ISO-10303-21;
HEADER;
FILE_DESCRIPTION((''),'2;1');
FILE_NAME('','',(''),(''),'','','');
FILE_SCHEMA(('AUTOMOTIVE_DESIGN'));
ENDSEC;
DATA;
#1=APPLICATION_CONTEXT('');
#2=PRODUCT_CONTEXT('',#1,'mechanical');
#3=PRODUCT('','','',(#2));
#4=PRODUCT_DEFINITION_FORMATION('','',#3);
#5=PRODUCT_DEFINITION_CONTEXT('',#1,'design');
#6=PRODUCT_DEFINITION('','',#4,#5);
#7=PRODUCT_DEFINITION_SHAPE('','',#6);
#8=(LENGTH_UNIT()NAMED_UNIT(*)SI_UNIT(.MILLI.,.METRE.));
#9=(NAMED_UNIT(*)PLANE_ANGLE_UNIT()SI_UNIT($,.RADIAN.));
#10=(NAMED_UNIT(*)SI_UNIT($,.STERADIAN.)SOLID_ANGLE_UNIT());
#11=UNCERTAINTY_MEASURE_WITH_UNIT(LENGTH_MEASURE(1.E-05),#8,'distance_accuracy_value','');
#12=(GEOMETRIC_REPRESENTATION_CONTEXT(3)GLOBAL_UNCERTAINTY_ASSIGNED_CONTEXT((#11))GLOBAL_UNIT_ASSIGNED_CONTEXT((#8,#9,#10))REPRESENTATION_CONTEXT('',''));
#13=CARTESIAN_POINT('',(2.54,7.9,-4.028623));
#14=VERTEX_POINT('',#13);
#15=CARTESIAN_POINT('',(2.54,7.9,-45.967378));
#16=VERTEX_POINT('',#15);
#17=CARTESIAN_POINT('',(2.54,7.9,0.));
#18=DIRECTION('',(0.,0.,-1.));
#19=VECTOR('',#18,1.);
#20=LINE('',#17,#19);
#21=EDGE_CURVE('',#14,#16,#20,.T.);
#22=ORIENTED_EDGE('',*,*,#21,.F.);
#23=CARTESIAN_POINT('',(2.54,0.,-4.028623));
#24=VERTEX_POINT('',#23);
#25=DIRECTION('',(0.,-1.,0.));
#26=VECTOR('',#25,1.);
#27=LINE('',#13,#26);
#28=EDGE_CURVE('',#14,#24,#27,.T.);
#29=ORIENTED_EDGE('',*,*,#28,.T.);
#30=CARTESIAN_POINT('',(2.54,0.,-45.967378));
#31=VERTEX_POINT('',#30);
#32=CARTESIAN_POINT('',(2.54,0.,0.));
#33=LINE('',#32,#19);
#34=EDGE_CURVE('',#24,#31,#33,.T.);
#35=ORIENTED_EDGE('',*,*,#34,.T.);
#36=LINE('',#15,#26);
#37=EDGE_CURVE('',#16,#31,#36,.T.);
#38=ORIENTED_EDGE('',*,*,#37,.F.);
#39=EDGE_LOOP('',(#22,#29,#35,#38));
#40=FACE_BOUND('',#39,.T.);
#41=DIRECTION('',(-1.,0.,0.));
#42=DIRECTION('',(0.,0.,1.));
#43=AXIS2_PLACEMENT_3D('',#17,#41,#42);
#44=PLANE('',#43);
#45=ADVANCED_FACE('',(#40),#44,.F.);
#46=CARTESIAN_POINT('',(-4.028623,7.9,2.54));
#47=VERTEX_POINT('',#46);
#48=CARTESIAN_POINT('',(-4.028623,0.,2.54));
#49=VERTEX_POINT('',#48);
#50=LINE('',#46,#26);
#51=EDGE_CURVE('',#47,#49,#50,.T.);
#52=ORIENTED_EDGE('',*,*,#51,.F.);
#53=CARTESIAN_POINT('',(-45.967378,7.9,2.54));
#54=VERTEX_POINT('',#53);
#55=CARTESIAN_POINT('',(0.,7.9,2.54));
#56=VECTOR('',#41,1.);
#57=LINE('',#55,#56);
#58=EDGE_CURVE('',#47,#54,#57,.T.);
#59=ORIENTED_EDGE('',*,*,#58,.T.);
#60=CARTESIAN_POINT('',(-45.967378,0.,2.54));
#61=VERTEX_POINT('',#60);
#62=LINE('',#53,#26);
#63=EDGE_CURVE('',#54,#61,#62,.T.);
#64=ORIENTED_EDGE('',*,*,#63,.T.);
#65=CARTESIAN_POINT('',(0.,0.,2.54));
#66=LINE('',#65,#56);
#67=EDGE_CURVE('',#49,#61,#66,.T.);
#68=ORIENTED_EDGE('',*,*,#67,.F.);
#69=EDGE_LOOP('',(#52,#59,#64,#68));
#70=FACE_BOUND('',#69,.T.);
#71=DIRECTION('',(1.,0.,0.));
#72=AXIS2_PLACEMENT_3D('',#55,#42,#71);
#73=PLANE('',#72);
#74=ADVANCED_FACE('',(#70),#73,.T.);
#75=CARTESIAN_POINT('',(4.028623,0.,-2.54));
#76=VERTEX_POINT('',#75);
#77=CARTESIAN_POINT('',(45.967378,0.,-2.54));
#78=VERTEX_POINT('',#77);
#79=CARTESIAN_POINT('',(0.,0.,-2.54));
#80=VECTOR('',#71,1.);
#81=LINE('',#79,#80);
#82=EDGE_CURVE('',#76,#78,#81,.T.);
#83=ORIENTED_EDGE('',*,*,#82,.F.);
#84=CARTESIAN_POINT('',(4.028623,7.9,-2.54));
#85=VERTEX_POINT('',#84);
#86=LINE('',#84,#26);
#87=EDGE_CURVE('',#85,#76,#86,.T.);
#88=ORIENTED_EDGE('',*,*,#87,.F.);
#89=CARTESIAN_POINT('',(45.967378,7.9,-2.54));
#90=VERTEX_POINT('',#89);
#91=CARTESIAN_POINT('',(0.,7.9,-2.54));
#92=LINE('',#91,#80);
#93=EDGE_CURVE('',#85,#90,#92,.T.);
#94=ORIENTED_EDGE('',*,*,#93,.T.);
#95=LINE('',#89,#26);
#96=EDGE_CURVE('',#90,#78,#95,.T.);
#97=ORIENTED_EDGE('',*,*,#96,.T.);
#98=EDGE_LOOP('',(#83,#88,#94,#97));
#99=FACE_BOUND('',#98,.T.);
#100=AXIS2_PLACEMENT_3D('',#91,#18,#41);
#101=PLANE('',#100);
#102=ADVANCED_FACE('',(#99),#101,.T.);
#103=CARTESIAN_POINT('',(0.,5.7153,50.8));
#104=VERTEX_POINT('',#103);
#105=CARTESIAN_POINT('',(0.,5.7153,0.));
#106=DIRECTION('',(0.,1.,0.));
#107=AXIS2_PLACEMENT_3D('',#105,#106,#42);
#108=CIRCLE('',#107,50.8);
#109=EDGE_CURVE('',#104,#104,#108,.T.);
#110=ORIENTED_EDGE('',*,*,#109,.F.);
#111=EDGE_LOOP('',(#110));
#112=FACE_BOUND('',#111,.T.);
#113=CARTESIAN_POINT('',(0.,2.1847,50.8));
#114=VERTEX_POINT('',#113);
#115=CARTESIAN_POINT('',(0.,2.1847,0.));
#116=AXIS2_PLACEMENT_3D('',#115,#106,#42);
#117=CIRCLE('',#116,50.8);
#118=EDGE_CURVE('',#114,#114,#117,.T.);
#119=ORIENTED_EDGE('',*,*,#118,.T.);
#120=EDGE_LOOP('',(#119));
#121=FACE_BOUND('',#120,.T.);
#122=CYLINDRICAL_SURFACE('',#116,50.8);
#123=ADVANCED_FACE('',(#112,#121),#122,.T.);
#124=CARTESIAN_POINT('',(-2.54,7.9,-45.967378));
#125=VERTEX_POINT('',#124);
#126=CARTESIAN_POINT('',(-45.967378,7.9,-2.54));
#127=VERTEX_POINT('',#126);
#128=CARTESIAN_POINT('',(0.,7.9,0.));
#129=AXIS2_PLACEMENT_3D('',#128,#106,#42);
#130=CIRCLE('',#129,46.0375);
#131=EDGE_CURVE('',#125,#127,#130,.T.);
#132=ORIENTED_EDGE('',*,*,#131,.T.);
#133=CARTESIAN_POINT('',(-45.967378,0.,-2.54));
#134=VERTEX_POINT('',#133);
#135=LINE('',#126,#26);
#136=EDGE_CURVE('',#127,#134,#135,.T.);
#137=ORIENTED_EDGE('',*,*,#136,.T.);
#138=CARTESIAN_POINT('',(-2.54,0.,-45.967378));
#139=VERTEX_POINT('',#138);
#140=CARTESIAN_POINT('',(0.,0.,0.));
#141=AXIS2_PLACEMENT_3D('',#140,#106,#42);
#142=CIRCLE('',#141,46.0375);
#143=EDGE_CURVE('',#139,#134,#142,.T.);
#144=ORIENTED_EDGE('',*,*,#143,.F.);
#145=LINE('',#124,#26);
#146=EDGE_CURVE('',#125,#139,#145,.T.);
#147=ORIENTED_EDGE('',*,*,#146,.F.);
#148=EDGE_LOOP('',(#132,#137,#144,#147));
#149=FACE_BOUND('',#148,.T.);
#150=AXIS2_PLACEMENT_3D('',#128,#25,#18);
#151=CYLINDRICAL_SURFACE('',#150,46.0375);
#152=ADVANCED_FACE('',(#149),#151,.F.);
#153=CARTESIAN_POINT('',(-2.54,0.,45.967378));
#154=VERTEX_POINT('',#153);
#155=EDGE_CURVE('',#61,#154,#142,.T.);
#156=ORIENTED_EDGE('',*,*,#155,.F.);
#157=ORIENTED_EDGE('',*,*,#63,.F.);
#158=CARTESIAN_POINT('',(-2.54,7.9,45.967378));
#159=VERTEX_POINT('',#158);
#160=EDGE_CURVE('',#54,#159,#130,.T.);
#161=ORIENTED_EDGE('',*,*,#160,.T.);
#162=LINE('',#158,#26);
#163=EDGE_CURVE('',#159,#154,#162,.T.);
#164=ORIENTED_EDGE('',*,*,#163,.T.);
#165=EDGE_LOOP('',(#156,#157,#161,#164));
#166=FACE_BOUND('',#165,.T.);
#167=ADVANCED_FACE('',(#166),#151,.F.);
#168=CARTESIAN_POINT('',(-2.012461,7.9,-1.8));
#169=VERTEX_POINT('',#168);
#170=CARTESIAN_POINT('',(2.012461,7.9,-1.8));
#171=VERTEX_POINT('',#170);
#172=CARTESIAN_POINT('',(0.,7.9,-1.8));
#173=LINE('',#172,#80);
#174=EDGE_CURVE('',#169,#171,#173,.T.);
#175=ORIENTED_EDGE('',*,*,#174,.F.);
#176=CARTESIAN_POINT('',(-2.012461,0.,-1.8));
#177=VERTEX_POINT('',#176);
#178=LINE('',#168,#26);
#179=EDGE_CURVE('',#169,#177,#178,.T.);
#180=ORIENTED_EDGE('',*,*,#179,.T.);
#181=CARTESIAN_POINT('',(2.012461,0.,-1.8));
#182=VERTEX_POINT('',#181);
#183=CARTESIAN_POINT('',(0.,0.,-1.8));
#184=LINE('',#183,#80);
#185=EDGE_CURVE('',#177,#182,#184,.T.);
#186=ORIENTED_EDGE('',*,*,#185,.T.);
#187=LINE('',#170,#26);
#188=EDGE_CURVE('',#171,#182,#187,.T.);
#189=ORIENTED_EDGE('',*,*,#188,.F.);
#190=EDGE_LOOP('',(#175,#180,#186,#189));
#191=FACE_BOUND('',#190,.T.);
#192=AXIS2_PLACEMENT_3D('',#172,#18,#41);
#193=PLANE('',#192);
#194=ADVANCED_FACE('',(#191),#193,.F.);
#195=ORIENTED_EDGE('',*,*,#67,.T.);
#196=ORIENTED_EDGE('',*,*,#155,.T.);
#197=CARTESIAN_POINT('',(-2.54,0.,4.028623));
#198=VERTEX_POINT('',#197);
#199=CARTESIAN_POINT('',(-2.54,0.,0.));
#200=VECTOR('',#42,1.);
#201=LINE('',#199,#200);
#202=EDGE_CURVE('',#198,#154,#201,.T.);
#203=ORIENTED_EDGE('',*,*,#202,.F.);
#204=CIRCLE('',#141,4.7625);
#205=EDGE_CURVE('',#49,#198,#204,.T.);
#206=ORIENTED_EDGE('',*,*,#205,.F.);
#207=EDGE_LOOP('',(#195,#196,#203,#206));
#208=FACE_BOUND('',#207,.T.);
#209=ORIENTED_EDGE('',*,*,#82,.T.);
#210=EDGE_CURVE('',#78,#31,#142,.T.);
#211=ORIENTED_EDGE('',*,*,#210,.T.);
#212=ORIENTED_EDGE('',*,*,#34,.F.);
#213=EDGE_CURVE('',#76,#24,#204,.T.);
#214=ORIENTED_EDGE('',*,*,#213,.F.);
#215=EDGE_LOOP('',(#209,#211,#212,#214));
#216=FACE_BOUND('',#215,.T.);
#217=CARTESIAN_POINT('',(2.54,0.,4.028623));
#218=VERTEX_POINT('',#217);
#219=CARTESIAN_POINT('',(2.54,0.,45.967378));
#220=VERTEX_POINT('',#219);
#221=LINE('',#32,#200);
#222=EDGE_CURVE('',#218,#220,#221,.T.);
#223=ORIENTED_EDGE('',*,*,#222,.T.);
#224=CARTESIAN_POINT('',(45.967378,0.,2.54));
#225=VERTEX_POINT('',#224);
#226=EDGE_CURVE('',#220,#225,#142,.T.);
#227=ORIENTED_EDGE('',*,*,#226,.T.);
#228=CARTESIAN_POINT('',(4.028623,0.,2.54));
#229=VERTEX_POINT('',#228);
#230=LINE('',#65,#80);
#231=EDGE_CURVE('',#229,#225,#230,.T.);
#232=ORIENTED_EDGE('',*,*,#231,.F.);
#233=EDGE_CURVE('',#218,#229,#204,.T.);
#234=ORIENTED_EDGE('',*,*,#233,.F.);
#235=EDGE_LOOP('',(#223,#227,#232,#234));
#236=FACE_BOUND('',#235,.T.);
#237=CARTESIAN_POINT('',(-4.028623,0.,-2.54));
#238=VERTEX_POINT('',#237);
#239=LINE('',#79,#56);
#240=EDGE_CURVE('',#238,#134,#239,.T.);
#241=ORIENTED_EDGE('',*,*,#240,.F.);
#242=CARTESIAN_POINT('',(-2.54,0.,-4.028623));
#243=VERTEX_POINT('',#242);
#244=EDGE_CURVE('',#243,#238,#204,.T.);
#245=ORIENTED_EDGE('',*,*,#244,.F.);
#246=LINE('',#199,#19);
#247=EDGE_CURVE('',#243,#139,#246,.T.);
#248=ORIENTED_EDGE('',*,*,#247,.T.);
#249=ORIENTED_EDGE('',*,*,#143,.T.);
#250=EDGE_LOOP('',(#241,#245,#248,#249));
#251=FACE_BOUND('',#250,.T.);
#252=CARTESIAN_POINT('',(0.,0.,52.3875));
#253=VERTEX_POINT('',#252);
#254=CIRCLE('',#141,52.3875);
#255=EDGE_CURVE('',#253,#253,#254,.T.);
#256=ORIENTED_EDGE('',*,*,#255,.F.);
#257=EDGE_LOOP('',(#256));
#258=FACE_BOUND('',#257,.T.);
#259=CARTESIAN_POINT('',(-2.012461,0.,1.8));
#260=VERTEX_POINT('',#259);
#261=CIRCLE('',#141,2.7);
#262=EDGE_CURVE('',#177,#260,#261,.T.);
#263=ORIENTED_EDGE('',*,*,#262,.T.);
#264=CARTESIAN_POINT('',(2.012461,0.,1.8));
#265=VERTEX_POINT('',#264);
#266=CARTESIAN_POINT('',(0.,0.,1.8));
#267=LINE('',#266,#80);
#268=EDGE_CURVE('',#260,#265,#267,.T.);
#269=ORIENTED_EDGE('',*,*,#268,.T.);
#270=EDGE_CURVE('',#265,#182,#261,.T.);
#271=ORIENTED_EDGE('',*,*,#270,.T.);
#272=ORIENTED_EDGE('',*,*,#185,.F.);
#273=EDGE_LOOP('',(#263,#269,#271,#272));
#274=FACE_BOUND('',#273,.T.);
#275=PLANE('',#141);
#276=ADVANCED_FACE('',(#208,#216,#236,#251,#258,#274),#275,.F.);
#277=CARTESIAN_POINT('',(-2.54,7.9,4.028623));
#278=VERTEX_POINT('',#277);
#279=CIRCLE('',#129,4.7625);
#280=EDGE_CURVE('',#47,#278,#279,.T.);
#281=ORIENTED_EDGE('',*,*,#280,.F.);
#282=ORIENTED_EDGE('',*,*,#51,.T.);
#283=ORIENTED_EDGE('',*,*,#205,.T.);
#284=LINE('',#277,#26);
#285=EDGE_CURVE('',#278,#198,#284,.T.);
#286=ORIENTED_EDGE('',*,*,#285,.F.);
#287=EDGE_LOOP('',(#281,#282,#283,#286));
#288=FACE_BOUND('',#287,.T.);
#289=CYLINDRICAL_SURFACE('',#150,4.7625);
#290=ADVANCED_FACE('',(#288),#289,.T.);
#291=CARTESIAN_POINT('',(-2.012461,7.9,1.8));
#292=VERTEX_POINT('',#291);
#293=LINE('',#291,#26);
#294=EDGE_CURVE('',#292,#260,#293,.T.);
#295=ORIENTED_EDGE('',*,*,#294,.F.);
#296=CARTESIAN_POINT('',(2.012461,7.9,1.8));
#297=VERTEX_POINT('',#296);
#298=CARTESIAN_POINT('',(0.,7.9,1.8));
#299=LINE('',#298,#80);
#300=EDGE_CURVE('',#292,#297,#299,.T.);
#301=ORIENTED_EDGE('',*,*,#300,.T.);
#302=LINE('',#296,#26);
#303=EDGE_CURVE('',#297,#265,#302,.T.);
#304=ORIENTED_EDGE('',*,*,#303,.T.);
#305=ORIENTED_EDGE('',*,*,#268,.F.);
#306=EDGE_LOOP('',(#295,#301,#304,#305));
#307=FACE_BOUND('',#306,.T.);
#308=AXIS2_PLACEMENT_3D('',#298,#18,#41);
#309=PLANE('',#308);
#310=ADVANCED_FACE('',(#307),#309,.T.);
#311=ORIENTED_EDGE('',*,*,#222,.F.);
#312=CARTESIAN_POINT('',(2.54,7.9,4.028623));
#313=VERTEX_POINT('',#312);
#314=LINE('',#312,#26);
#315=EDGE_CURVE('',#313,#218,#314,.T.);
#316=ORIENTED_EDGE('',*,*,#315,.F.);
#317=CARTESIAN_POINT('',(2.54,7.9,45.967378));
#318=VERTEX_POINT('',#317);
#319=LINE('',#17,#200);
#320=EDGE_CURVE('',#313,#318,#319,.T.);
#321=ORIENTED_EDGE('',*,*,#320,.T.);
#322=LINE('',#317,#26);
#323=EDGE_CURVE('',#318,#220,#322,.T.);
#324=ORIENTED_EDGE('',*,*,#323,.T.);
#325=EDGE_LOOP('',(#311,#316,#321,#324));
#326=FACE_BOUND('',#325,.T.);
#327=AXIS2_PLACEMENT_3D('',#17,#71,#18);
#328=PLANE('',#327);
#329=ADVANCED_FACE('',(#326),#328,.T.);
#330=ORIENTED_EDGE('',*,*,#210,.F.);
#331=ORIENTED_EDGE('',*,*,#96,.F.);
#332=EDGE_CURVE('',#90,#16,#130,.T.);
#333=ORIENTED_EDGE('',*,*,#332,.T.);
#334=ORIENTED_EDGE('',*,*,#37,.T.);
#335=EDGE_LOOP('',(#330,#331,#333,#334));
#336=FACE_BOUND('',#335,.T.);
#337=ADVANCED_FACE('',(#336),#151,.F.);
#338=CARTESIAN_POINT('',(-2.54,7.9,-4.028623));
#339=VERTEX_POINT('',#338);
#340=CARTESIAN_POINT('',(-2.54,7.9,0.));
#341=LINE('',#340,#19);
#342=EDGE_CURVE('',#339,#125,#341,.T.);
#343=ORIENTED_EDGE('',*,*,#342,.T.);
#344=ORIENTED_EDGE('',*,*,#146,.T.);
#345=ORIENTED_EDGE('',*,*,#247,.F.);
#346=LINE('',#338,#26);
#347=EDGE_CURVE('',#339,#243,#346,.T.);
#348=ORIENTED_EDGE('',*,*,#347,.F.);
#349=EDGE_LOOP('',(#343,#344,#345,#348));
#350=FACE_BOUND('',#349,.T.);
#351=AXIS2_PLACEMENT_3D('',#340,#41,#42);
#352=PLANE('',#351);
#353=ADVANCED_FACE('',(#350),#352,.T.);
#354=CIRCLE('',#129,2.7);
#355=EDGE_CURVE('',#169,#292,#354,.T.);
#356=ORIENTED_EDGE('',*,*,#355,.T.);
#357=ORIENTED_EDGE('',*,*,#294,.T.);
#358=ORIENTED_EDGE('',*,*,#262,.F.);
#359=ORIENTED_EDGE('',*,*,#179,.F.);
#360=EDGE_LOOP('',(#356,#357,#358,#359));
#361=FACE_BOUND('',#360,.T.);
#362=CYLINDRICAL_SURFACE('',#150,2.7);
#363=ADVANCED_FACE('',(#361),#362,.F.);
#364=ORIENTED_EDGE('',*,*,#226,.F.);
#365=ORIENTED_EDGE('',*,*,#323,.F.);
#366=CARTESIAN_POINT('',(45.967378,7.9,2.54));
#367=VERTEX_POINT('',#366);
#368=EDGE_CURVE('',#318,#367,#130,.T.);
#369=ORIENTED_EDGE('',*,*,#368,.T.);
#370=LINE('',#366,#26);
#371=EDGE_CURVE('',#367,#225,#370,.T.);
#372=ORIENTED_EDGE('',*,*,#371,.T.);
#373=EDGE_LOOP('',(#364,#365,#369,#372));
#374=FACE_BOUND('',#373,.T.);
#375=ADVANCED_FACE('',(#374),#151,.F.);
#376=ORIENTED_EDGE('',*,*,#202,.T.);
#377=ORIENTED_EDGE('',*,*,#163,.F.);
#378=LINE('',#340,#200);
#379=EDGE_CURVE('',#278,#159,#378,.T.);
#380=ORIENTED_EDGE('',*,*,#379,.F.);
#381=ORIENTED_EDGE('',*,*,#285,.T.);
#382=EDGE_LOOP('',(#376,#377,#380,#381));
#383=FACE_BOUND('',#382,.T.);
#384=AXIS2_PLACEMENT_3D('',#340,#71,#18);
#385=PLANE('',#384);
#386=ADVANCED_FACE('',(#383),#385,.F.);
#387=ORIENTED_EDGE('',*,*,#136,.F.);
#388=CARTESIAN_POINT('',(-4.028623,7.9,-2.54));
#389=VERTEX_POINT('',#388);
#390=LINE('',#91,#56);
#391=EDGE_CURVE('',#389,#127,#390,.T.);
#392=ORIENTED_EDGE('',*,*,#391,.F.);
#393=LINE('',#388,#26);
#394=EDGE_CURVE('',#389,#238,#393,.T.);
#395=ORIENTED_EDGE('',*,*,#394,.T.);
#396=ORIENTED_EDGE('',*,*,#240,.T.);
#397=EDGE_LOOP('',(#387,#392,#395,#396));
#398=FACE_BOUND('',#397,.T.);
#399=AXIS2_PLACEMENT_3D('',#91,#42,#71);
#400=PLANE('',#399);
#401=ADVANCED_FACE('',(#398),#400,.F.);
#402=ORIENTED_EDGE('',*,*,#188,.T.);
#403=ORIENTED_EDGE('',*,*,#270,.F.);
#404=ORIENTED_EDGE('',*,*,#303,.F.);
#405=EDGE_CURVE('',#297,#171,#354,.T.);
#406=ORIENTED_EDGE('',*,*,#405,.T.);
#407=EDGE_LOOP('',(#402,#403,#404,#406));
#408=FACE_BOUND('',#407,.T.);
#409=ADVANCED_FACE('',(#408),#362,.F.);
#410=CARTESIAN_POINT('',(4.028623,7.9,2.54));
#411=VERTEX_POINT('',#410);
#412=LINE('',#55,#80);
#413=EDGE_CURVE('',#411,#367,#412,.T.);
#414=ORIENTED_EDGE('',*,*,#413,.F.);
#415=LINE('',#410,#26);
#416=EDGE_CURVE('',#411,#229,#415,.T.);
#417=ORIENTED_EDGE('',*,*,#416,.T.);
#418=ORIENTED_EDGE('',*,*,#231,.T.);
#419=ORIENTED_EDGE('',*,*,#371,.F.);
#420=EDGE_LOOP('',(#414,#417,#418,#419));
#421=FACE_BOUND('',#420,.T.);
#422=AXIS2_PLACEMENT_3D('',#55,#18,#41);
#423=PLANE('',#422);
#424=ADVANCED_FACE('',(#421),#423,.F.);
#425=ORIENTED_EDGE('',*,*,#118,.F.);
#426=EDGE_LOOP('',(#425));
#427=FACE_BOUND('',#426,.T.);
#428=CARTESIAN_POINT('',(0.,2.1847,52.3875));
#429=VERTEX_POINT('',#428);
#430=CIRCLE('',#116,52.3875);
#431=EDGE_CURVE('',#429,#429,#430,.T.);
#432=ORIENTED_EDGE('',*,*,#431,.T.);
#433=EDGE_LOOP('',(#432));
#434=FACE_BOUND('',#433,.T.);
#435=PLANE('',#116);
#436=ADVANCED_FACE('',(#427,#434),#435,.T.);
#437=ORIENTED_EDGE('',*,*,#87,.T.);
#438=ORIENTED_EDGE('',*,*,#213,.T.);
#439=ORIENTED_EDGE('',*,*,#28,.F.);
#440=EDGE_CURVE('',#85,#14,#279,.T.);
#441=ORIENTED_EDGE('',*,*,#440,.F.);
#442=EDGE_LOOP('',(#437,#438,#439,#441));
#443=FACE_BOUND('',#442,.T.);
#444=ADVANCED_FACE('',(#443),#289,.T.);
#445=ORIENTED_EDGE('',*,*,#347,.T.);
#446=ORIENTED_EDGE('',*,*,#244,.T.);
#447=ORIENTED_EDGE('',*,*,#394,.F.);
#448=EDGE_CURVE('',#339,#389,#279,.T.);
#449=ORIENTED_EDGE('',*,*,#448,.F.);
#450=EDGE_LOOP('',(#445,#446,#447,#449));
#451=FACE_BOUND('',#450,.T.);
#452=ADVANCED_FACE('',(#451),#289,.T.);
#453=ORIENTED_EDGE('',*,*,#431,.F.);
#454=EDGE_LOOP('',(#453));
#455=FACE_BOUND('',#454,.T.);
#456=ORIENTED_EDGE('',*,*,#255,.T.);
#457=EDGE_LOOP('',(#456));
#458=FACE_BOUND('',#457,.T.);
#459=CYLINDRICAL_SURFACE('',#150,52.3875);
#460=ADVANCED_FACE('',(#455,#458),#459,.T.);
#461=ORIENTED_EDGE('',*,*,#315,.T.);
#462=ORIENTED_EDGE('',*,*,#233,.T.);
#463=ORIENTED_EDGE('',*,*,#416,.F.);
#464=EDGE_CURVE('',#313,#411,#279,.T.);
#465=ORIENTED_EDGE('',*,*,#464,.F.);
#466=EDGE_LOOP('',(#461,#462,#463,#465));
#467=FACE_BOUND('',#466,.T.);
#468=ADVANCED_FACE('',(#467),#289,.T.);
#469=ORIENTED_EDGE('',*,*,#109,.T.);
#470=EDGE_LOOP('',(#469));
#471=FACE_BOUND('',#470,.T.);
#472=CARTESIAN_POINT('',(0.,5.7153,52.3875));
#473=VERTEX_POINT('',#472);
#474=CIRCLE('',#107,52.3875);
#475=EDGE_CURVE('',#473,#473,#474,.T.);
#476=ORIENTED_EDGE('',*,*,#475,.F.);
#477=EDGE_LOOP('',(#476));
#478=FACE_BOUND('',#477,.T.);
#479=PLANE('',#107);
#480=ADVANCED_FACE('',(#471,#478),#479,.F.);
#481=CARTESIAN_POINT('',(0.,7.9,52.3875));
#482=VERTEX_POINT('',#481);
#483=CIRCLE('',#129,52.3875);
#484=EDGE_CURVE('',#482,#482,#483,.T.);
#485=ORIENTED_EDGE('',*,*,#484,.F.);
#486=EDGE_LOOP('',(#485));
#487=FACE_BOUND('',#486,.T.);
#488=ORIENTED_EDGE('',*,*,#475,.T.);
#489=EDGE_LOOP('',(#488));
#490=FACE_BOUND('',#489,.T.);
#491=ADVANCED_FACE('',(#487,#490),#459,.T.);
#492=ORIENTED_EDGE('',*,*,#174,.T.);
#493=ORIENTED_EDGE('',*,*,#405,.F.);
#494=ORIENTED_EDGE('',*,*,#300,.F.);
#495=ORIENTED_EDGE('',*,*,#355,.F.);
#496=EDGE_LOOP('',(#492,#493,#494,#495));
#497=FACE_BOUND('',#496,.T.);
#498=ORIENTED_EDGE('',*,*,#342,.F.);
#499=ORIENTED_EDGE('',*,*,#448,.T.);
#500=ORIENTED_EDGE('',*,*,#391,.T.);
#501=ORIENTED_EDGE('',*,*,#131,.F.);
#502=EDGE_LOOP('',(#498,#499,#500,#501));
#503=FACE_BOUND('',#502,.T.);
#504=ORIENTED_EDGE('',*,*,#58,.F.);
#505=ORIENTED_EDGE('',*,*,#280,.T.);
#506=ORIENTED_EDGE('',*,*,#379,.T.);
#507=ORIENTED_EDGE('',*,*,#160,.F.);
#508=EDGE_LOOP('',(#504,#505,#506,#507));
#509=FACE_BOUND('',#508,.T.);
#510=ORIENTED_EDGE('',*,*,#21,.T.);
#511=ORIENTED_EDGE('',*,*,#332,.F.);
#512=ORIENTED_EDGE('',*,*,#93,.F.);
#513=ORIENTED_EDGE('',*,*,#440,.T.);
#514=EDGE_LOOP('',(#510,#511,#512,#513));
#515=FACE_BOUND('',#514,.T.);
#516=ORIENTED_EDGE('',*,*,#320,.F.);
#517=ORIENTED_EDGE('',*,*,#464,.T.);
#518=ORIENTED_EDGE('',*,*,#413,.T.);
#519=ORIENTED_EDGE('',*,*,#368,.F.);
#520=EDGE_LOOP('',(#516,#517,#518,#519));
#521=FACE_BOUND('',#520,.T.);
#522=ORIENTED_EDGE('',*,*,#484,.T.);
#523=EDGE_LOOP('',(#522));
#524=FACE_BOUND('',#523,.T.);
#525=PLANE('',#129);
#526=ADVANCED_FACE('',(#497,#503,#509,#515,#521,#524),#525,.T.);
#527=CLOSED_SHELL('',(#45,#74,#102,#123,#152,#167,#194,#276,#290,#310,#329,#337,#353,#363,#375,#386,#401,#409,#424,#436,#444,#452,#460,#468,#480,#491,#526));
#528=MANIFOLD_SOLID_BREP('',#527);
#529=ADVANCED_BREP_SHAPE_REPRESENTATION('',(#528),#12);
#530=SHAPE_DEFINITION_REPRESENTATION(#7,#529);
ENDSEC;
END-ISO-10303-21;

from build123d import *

# Parameters (mm, degrees)
SKETCH1_R           = 52.3875
SKETCH1_R_2         = 50.8
BOSS_EXTRUDE1_DEPTH = 7.9
CUT_EXTRUDE1_START  = 3.95
SKETCH1_3_R         = 52.3875
SKETCH1_3_R_2       = 50.8
CUT_EXTRUDE1_DEPTH  = 1.7653


with BuildPart() as part:
    # Sketch1 → Boss-Extrude1 (new body)
    with BuildSketch(Plane(origin=(0, 0, 0), x_dir=(1, 0, 0), z_dir=(0, 1, 0))):
        with Locations(Location((0, 0, 0), (0, 0, 270))):
            Circle(SKETCH1_R)
        Circle(SKETCH1_R_2, mode=Mode.SUBTRACT)
        Circle(SKETCH1_R_2)
        with BuildLine():
            Line((-2.54, 4.028623369), (-2.54, 45.967377631))
            ThreePointArc((-2.54, 45.967377631), (-32.553428439, 32.553428439), (-45.967377631, 2.54))
            Line((-45.967377631, 2.54), (-4.028623369, 2.54))
            ThreePointArc((-4.028623369, 2.54), (-3.367596045, 3.367596045), (-2.54, 4.028623369))
        make_face(mode=Mode.SUBTRACT)
        with BuildLine():
            Line((4.028623369, 2.54), (45.967377631, 2.54))
            ThreePointArc((45.967377631, 2.54), (32.553428439, 32.553428439), (2.54, 45.967377631))
            Line((2.54, 45.967377631), (2.54, 4.028623369))
            ThreePointArc((2.54, 4.028623369), (3.367596045, 3.367596045), (4.028623369, 2.54))
        make_face(mode=Mode.SUBTRACT)
        with BuildLine():
            Line((2.54, -4.028623369), (2.54, -45.967377631))
            ThreePointArc((2.54, -45.967377631), (32.553428439, -32.553428439), (45.967377631, -2.54))
            Line((45.967377631, -2.54), (4.028623369, -2.54))
            ThreePointArc((4.028623369, -2.54), (3.367596045, -3.367596045), (2.54, -4.028623369))
        make_face(mode=Mode.SUBTRACT)
        with BuildLine():
            ThreePointArc((2.01246118, -1.8), (2.7, 0), (2.01246118, 1.8))
            Line((2.01246118, 1.8), (-2.01246118, 1.8))
            ThreePointArc((-2.01246118, 1.8), (-2.7, 0), (-2.01246118, -1.8))
            Line((-2.01246118, -1.8), (2.01246118, -1.8))
        make_face(mode=Mode.SUBTRACT)
        with BuildLine():
            ThreePointArc((-45.967377631, -2.54), (-32.553428439, -32.553428439), (-2.54, -45.967377631))
            Line((-2.54, -45.967377631), (-2.54, -4.028623369))
            ThreePointArc((-2.54, -4.028623369), (-3.367596045, -3.367596045), (-4.028623369, -2.54))
            Line((-4.028623369, -2.54), (-45.967377631, -2.54))
        make_face(mode=Mode.SUBTRACT)
    extrude(amount=BOSS_EXTRUDE1_DEPTH)

    # Sketch1<3> → Cut-Extrude1 (cut, symmetric)
    with BuildSketch(Plane(origin=(0, 0, 0), x_dir=(1, 0, 0), z_dir=(0, 1, 0)).offset(CUT_EXTRUDE1_START)):
        with Locations(Location((0, 0, 0), (0, 0, 270))):
            Circle(SKETCH1_3_R)
        with Locations(Location((0, 0, 0), (0, 0, 270))):
            Circle(SKETCH1_3_R_2, mode=Mode.SUBTRACT)
    extrude(amount=CUT_EXTRUDE1_DEPTH, both=True, mode=Mode.SUBTRACT)


solid = part.part
